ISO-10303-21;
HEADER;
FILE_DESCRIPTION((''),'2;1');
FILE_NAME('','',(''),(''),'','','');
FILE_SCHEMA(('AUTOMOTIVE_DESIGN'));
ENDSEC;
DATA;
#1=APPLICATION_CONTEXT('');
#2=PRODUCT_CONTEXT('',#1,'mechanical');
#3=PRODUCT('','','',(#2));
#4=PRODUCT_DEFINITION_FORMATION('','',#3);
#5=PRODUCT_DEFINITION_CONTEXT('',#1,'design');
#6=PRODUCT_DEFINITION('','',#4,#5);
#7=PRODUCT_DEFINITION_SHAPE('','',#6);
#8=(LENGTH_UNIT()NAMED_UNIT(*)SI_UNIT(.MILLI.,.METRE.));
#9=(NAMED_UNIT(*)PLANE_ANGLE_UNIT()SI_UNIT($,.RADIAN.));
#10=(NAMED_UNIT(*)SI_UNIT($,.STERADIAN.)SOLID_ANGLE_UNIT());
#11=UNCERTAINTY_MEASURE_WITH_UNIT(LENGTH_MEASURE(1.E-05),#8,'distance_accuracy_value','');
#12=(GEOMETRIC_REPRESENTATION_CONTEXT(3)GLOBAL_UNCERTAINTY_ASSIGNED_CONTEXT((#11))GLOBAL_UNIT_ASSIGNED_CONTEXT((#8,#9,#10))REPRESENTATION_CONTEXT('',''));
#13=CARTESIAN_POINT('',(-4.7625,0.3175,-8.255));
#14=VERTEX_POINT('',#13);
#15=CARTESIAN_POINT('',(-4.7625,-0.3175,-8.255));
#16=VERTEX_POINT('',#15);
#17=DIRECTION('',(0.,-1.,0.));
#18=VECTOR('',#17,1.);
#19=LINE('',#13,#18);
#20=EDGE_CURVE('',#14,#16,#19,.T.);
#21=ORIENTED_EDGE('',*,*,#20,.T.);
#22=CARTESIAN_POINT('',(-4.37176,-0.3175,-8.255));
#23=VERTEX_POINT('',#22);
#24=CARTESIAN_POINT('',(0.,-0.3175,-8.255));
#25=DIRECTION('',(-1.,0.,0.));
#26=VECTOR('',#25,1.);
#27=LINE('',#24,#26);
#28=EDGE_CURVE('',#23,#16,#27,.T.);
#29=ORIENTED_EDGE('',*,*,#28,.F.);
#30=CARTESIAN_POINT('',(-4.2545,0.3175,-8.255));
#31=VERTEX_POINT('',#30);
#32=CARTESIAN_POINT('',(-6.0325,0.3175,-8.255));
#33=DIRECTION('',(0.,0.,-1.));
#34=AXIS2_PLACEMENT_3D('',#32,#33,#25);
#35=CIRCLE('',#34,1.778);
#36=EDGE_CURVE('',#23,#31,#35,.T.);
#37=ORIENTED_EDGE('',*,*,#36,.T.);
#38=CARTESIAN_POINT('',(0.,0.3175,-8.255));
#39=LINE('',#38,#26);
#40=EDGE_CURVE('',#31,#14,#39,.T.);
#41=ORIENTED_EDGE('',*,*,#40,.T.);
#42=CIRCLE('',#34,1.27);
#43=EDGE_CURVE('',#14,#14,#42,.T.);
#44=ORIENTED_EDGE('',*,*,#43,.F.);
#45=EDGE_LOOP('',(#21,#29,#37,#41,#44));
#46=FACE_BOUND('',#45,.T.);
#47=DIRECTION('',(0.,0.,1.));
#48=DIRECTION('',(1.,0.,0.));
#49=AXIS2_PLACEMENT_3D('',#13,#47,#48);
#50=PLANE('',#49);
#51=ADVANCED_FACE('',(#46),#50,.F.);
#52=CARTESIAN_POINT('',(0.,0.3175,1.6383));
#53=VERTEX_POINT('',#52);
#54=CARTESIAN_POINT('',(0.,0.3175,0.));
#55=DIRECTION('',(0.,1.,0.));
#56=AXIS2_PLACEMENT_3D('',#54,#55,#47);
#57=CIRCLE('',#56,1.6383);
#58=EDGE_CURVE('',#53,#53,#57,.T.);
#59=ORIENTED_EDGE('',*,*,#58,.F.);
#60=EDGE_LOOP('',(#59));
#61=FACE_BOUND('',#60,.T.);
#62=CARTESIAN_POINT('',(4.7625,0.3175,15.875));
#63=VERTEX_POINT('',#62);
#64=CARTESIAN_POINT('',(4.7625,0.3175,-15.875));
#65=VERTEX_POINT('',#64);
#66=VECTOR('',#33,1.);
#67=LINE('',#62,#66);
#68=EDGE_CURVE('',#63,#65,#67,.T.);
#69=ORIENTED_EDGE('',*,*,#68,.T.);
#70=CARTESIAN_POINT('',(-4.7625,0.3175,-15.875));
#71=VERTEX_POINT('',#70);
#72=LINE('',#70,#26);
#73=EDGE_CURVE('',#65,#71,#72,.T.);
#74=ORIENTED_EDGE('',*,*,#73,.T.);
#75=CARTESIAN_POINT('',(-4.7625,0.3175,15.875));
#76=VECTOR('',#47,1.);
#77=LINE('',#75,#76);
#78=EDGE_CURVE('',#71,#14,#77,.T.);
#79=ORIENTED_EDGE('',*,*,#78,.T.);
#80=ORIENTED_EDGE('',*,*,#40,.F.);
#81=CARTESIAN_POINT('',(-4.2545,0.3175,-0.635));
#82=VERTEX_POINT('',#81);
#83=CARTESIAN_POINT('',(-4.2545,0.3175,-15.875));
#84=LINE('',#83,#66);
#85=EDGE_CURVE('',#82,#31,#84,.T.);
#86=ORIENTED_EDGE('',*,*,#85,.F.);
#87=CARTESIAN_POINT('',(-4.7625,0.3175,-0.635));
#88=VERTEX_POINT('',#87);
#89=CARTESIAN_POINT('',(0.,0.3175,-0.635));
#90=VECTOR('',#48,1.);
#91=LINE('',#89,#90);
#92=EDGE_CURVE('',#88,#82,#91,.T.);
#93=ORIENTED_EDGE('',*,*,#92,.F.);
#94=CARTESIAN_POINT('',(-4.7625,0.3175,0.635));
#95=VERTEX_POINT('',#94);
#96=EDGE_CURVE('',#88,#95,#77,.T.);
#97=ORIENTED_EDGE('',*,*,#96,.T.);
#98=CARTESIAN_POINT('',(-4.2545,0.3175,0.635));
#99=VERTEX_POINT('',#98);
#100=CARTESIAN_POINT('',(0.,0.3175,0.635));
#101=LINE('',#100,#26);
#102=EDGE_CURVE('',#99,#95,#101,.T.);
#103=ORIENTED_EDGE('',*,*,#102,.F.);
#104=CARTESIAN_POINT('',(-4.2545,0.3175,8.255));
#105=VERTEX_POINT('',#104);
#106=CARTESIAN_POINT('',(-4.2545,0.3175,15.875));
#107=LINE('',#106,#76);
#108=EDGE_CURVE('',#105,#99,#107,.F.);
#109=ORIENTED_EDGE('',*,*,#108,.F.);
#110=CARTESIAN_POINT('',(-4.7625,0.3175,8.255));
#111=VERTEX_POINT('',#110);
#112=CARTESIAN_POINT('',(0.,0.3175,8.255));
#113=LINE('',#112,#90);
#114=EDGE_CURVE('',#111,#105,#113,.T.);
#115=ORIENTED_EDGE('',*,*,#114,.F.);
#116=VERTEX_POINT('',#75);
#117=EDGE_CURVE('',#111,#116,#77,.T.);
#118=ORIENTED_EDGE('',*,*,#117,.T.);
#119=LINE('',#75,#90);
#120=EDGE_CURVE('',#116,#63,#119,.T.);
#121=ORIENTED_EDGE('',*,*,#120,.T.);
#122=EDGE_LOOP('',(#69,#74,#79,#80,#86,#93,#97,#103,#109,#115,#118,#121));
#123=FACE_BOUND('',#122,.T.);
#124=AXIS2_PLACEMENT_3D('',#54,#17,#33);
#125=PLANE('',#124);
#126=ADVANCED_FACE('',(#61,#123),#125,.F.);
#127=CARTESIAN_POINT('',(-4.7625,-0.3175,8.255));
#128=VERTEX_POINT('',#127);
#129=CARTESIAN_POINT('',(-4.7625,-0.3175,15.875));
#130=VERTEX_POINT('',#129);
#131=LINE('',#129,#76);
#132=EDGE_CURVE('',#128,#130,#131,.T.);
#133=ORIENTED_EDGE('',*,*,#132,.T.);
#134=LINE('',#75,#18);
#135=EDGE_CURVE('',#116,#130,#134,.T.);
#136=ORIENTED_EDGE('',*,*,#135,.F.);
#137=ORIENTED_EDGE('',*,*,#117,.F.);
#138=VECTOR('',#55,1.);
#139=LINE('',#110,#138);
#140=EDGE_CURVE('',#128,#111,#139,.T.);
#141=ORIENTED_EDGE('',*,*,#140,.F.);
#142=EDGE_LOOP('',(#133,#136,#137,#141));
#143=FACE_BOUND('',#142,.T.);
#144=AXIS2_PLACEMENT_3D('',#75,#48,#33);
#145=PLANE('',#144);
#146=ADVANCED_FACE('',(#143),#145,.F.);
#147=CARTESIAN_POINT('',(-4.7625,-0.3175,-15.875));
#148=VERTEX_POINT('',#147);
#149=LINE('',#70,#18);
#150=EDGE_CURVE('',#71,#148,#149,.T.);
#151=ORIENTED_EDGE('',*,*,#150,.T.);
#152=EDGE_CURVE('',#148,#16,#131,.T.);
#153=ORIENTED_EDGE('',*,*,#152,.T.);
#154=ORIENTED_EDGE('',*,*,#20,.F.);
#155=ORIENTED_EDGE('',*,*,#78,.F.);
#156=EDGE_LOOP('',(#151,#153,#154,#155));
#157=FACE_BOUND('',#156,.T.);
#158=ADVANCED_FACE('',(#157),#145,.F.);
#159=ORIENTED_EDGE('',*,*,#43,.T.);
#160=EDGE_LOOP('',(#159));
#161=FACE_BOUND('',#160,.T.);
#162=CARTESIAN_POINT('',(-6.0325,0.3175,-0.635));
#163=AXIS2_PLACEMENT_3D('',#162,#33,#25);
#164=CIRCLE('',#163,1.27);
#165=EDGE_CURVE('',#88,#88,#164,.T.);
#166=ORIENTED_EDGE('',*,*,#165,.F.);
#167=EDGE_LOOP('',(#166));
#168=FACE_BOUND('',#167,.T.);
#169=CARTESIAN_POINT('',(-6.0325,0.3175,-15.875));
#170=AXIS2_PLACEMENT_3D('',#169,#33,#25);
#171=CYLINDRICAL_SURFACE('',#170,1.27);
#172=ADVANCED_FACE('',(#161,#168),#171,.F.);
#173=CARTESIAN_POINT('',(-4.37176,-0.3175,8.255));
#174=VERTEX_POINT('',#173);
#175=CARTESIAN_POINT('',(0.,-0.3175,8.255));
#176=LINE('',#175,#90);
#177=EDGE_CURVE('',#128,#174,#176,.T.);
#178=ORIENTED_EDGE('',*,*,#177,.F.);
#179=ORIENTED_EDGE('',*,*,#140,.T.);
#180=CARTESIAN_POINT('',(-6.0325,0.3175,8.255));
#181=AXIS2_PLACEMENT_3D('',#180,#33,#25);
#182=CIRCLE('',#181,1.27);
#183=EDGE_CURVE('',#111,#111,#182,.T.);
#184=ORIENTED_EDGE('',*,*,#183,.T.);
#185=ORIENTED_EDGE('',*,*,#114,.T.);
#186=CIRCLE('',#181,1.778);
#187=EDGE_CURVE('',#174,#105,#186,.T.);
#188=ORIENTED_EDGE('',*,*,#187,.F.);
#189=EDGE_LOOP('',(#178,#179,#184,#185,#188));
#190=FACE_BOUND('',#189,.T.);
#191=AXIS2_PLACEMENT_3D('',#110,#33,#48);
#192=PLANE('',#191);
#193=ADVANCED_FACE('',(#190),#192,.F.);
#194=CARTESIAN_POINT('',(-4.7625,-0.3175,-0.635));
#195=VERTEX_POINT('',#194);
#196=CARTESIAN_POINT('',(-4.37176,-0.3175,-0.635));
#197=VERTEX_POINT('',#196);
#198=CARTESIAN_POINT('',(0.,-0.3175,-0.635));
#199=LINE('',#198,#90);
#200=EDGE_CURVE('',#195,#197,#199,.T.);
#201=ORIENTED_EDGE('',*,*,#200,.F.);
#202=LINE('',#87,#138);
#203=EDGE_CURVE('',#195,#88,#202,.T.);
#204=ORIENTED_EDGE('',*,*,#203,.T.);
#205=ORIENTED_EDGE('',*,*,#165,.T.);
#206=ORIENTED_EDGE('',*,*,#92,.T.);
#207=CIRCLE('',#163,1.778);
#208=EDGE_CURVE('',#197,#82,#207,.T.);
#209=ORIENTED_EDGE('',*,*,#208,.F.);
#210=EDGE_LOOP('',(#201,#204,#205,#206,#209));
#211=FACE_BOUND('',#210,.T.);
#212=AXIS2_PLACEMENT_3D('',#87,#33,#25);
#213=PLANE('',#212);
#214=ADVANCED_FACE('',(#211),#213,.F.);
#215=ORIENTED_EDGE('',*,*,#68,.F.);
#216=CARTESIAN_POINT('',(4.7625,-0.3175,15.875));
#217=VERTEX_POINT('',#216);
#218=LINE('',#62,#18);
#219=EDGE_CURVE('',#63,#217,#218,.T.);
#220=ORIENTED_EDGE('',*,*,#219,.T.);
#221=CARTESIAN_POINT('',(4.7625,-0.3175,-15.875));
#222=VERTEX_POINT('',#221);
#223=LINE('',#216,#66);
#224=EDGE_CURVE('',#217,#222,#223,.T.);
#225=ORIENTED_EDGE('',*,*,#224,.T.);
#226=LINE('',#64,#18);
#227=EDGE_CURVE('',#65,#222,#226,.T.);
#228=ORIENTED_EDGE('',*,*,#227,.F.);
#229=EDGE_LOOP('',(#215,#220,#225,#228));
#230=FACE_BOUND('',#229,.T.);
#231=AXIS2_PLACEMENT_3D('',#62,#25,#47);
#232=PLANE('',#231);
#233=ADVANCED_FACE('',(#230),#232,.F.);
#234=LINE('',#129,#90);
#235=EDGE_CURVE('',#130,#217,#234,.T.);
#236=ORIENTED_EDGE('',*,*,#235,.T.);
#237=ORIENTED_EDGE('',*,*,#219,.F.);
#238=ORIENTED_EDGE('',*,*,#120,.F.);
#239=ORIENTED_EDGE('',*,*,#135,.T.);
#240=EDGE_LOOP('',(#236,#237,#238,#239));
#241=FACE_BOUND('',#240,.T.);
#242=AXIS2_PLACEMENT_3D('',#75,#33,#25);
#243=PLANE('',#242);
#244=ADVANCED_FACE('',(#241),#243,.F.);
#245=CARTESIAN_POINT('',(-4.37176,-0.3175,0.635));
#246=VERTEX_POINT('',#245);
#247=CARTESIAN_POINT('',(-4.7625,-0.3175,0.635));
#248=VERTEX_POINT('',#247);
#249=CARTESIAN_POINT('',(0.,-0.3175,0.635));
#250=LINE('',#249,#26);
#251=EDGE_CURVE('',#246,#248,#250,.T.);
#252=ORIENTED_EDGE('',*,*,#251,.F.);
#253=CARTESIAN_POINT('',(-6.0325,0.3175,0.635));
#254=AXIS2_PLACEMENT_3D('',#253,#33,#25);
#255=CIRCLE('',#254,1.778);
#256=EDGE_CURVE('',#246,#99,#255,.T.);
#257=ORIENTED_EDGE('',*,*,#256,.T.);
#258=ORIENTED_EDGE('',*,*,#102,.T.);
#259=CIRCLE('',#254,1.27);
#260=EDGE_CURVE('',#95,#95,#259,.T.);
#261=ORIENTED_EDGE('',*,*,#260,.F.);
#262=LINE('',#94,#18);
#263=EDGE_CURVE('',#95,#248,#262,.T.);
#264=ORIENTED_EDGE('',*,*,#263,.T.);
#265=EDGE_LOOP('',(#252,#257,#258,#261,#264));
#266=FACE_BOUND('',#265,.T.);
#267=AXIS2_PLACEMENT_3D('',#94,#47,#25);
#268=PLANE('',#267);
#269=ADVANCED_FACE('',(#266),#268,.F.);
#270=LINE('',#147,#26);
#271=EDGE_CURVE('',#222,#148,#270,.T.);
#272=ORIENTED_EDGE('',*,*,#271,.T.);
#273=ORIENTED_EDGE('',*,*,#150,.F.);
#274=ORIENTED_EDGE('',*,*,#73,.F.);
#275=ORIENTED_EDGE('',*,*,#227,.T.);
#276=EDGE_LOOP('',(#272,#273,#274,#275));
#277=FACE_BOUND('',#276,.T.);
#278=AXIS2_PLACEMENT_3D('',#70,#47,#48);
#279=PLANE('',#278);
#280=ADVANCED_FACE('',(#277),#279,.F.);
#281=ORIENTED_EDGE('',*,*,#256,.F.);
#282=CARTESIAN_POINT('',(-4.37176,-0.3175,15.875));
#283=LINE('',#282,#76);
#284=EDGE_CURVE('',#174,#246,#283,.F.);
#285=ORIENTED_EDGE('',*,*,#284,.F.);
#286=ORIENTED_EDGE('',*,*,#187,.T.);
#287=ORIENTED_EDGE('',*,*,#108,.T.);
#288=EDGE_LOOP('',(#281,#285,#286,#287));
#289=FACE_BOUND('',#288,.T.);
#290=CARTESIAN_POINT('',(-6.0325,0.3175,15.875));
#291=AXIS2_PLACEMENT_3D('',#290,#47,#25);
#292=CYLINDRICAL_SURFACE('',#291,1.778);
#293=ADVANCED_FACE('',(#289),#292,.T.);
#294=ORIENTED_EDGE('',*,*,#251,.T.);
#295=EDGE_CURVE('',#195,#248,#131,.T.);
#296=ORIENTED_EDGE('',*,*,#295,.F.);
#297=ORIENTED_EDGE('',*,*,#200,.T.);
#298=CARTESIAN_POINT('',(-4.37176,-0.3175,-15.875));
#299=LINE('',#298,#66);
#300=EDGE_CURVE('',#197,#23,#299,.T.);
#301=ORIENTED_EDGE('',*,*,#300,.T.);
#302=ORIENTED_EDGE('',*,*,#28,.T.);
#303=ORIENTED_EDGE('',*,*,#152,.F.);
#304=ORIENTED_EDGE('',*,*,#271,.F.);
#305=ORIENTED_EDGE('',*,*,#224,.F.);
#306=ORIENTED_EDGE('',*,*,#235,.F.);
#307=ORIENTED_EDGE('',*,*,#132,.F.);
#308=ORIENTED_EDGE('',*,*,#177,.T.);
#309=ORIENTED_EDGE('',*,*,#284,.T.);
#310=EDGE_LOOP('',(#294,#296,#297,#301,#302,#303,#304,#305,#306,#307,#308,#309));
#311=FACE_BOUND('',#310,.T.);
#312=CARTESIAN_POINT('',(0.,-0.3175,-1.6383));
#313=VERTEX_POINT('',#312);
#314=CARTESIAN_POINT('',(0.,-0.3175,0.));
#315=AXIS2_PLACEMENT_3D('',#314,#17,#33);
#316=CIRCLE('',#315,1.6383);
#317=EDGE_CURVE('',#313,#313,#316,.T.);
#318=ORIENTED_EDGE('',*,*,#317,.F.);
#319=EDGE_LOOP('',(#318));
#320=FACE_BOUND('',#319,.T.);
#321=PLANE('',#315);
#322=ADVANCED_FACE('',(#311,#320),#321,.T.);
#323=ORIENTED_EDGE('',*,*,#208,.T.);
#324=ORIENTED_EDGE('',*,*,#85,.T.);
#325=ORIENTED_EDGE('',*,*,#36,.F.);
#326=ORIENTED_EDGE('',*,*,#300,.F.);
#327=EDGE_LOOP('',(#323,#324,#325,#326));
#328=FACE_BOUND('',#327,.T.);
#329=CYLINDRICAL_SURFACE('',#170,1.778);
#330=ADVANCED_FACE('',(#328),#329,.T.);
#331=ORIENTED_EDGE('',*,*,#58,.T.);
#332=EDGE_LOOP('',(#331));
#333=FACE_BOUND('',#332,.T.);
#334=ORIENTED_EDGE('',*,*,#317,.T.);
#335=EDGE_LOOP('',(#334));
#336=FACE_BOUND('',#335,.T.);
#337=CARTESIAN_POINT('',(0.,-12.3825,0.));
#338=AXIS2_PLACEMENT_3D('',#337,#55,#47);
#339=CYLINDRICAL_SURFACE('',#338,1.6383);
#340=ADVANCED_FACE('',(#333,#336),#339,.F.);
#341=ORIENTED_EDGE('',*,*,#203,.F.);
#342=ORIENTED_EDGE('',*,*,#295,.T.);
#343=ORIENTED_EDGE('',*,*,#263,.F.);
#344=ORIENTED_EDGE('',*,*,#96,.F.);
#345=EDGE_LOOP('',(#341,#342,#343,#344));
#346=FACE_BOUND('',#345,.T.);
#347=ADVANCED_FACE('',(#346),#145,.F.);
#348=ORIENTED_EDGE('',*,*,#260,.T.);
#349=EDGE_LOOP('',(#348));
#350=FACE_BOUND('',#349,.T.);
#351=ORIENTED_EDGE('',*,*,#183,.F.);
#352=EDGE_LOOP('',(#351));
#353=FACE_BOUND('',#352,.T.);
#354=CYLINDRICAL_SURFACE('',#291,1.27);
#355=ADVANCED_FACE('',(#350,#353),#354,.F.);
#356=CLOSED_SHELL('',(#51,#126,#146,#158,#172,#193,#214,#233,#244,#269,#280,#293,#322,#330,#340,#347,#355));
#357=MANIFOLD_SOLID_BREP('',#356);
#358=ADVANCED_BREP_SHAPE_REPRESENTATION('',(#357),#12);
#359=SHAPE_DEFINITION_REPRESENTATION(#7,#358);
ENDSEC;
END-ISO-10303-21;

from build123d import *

# Parameters (mm, degrees)
SKETCH1_W           = 9.525
SKETCH1_H           = 31.75
BOSS_EXTRUDE1_DEPTH = 0.3175
SKETCH5_W           = 0.508
SKETCH5_H           = 7.62
SKETCH6_R           = 1.6383
CUT_EXTRUDE1_DEPTH  = 12.7


with BuildPart() as part:
    # Sketch1 → Boss-Extrude1 (new, symmetric)
    with BuildSketch(Plane(origin=(0, 0, 0), x_dir=(1, 0, 0), z_dir=(0, 1, 0))):
        Rectangle(SKETCH1_W, SKETCH1_H)
    extrude(amount=BOSS_EXTRUDE1_DEPTH, both=True)

    # Sketch5 → Revolve3 (revolve)
    with BuildSketch(Plane(origin=(0, 0.3175, 0), x_dir=(1, 0, 0), z_dir=(0, 1, 0))):
        with Locations((-4.5085, 4.445)):
            Rectangle(SKETCH5_W, SKETCH5_H)
    revolve3 = revolve(axis=Axis((-6.0325, 0.3175, -15.875), (0, 0, 1)))

    # Mirror2: Revolve3 across plane
    add(revolve3.mirror(Plane.XY))

    # Sketch6 → Cut-Extrude1 (cut)
    with BuildSketch(Plane(origin=(0, 0.3175, 0), x_dir=(1, 0, 0), z_dir=(0, 1, 0))):
        with Locations(Location((0, 0, 0), (0, 0, 270))):
            Circle(SKETCH6_R)
    extrude(amount=-CUT_EXTRUDE1_DEPTH, mode=Mode.SUBTRACT)


solid = part.part
